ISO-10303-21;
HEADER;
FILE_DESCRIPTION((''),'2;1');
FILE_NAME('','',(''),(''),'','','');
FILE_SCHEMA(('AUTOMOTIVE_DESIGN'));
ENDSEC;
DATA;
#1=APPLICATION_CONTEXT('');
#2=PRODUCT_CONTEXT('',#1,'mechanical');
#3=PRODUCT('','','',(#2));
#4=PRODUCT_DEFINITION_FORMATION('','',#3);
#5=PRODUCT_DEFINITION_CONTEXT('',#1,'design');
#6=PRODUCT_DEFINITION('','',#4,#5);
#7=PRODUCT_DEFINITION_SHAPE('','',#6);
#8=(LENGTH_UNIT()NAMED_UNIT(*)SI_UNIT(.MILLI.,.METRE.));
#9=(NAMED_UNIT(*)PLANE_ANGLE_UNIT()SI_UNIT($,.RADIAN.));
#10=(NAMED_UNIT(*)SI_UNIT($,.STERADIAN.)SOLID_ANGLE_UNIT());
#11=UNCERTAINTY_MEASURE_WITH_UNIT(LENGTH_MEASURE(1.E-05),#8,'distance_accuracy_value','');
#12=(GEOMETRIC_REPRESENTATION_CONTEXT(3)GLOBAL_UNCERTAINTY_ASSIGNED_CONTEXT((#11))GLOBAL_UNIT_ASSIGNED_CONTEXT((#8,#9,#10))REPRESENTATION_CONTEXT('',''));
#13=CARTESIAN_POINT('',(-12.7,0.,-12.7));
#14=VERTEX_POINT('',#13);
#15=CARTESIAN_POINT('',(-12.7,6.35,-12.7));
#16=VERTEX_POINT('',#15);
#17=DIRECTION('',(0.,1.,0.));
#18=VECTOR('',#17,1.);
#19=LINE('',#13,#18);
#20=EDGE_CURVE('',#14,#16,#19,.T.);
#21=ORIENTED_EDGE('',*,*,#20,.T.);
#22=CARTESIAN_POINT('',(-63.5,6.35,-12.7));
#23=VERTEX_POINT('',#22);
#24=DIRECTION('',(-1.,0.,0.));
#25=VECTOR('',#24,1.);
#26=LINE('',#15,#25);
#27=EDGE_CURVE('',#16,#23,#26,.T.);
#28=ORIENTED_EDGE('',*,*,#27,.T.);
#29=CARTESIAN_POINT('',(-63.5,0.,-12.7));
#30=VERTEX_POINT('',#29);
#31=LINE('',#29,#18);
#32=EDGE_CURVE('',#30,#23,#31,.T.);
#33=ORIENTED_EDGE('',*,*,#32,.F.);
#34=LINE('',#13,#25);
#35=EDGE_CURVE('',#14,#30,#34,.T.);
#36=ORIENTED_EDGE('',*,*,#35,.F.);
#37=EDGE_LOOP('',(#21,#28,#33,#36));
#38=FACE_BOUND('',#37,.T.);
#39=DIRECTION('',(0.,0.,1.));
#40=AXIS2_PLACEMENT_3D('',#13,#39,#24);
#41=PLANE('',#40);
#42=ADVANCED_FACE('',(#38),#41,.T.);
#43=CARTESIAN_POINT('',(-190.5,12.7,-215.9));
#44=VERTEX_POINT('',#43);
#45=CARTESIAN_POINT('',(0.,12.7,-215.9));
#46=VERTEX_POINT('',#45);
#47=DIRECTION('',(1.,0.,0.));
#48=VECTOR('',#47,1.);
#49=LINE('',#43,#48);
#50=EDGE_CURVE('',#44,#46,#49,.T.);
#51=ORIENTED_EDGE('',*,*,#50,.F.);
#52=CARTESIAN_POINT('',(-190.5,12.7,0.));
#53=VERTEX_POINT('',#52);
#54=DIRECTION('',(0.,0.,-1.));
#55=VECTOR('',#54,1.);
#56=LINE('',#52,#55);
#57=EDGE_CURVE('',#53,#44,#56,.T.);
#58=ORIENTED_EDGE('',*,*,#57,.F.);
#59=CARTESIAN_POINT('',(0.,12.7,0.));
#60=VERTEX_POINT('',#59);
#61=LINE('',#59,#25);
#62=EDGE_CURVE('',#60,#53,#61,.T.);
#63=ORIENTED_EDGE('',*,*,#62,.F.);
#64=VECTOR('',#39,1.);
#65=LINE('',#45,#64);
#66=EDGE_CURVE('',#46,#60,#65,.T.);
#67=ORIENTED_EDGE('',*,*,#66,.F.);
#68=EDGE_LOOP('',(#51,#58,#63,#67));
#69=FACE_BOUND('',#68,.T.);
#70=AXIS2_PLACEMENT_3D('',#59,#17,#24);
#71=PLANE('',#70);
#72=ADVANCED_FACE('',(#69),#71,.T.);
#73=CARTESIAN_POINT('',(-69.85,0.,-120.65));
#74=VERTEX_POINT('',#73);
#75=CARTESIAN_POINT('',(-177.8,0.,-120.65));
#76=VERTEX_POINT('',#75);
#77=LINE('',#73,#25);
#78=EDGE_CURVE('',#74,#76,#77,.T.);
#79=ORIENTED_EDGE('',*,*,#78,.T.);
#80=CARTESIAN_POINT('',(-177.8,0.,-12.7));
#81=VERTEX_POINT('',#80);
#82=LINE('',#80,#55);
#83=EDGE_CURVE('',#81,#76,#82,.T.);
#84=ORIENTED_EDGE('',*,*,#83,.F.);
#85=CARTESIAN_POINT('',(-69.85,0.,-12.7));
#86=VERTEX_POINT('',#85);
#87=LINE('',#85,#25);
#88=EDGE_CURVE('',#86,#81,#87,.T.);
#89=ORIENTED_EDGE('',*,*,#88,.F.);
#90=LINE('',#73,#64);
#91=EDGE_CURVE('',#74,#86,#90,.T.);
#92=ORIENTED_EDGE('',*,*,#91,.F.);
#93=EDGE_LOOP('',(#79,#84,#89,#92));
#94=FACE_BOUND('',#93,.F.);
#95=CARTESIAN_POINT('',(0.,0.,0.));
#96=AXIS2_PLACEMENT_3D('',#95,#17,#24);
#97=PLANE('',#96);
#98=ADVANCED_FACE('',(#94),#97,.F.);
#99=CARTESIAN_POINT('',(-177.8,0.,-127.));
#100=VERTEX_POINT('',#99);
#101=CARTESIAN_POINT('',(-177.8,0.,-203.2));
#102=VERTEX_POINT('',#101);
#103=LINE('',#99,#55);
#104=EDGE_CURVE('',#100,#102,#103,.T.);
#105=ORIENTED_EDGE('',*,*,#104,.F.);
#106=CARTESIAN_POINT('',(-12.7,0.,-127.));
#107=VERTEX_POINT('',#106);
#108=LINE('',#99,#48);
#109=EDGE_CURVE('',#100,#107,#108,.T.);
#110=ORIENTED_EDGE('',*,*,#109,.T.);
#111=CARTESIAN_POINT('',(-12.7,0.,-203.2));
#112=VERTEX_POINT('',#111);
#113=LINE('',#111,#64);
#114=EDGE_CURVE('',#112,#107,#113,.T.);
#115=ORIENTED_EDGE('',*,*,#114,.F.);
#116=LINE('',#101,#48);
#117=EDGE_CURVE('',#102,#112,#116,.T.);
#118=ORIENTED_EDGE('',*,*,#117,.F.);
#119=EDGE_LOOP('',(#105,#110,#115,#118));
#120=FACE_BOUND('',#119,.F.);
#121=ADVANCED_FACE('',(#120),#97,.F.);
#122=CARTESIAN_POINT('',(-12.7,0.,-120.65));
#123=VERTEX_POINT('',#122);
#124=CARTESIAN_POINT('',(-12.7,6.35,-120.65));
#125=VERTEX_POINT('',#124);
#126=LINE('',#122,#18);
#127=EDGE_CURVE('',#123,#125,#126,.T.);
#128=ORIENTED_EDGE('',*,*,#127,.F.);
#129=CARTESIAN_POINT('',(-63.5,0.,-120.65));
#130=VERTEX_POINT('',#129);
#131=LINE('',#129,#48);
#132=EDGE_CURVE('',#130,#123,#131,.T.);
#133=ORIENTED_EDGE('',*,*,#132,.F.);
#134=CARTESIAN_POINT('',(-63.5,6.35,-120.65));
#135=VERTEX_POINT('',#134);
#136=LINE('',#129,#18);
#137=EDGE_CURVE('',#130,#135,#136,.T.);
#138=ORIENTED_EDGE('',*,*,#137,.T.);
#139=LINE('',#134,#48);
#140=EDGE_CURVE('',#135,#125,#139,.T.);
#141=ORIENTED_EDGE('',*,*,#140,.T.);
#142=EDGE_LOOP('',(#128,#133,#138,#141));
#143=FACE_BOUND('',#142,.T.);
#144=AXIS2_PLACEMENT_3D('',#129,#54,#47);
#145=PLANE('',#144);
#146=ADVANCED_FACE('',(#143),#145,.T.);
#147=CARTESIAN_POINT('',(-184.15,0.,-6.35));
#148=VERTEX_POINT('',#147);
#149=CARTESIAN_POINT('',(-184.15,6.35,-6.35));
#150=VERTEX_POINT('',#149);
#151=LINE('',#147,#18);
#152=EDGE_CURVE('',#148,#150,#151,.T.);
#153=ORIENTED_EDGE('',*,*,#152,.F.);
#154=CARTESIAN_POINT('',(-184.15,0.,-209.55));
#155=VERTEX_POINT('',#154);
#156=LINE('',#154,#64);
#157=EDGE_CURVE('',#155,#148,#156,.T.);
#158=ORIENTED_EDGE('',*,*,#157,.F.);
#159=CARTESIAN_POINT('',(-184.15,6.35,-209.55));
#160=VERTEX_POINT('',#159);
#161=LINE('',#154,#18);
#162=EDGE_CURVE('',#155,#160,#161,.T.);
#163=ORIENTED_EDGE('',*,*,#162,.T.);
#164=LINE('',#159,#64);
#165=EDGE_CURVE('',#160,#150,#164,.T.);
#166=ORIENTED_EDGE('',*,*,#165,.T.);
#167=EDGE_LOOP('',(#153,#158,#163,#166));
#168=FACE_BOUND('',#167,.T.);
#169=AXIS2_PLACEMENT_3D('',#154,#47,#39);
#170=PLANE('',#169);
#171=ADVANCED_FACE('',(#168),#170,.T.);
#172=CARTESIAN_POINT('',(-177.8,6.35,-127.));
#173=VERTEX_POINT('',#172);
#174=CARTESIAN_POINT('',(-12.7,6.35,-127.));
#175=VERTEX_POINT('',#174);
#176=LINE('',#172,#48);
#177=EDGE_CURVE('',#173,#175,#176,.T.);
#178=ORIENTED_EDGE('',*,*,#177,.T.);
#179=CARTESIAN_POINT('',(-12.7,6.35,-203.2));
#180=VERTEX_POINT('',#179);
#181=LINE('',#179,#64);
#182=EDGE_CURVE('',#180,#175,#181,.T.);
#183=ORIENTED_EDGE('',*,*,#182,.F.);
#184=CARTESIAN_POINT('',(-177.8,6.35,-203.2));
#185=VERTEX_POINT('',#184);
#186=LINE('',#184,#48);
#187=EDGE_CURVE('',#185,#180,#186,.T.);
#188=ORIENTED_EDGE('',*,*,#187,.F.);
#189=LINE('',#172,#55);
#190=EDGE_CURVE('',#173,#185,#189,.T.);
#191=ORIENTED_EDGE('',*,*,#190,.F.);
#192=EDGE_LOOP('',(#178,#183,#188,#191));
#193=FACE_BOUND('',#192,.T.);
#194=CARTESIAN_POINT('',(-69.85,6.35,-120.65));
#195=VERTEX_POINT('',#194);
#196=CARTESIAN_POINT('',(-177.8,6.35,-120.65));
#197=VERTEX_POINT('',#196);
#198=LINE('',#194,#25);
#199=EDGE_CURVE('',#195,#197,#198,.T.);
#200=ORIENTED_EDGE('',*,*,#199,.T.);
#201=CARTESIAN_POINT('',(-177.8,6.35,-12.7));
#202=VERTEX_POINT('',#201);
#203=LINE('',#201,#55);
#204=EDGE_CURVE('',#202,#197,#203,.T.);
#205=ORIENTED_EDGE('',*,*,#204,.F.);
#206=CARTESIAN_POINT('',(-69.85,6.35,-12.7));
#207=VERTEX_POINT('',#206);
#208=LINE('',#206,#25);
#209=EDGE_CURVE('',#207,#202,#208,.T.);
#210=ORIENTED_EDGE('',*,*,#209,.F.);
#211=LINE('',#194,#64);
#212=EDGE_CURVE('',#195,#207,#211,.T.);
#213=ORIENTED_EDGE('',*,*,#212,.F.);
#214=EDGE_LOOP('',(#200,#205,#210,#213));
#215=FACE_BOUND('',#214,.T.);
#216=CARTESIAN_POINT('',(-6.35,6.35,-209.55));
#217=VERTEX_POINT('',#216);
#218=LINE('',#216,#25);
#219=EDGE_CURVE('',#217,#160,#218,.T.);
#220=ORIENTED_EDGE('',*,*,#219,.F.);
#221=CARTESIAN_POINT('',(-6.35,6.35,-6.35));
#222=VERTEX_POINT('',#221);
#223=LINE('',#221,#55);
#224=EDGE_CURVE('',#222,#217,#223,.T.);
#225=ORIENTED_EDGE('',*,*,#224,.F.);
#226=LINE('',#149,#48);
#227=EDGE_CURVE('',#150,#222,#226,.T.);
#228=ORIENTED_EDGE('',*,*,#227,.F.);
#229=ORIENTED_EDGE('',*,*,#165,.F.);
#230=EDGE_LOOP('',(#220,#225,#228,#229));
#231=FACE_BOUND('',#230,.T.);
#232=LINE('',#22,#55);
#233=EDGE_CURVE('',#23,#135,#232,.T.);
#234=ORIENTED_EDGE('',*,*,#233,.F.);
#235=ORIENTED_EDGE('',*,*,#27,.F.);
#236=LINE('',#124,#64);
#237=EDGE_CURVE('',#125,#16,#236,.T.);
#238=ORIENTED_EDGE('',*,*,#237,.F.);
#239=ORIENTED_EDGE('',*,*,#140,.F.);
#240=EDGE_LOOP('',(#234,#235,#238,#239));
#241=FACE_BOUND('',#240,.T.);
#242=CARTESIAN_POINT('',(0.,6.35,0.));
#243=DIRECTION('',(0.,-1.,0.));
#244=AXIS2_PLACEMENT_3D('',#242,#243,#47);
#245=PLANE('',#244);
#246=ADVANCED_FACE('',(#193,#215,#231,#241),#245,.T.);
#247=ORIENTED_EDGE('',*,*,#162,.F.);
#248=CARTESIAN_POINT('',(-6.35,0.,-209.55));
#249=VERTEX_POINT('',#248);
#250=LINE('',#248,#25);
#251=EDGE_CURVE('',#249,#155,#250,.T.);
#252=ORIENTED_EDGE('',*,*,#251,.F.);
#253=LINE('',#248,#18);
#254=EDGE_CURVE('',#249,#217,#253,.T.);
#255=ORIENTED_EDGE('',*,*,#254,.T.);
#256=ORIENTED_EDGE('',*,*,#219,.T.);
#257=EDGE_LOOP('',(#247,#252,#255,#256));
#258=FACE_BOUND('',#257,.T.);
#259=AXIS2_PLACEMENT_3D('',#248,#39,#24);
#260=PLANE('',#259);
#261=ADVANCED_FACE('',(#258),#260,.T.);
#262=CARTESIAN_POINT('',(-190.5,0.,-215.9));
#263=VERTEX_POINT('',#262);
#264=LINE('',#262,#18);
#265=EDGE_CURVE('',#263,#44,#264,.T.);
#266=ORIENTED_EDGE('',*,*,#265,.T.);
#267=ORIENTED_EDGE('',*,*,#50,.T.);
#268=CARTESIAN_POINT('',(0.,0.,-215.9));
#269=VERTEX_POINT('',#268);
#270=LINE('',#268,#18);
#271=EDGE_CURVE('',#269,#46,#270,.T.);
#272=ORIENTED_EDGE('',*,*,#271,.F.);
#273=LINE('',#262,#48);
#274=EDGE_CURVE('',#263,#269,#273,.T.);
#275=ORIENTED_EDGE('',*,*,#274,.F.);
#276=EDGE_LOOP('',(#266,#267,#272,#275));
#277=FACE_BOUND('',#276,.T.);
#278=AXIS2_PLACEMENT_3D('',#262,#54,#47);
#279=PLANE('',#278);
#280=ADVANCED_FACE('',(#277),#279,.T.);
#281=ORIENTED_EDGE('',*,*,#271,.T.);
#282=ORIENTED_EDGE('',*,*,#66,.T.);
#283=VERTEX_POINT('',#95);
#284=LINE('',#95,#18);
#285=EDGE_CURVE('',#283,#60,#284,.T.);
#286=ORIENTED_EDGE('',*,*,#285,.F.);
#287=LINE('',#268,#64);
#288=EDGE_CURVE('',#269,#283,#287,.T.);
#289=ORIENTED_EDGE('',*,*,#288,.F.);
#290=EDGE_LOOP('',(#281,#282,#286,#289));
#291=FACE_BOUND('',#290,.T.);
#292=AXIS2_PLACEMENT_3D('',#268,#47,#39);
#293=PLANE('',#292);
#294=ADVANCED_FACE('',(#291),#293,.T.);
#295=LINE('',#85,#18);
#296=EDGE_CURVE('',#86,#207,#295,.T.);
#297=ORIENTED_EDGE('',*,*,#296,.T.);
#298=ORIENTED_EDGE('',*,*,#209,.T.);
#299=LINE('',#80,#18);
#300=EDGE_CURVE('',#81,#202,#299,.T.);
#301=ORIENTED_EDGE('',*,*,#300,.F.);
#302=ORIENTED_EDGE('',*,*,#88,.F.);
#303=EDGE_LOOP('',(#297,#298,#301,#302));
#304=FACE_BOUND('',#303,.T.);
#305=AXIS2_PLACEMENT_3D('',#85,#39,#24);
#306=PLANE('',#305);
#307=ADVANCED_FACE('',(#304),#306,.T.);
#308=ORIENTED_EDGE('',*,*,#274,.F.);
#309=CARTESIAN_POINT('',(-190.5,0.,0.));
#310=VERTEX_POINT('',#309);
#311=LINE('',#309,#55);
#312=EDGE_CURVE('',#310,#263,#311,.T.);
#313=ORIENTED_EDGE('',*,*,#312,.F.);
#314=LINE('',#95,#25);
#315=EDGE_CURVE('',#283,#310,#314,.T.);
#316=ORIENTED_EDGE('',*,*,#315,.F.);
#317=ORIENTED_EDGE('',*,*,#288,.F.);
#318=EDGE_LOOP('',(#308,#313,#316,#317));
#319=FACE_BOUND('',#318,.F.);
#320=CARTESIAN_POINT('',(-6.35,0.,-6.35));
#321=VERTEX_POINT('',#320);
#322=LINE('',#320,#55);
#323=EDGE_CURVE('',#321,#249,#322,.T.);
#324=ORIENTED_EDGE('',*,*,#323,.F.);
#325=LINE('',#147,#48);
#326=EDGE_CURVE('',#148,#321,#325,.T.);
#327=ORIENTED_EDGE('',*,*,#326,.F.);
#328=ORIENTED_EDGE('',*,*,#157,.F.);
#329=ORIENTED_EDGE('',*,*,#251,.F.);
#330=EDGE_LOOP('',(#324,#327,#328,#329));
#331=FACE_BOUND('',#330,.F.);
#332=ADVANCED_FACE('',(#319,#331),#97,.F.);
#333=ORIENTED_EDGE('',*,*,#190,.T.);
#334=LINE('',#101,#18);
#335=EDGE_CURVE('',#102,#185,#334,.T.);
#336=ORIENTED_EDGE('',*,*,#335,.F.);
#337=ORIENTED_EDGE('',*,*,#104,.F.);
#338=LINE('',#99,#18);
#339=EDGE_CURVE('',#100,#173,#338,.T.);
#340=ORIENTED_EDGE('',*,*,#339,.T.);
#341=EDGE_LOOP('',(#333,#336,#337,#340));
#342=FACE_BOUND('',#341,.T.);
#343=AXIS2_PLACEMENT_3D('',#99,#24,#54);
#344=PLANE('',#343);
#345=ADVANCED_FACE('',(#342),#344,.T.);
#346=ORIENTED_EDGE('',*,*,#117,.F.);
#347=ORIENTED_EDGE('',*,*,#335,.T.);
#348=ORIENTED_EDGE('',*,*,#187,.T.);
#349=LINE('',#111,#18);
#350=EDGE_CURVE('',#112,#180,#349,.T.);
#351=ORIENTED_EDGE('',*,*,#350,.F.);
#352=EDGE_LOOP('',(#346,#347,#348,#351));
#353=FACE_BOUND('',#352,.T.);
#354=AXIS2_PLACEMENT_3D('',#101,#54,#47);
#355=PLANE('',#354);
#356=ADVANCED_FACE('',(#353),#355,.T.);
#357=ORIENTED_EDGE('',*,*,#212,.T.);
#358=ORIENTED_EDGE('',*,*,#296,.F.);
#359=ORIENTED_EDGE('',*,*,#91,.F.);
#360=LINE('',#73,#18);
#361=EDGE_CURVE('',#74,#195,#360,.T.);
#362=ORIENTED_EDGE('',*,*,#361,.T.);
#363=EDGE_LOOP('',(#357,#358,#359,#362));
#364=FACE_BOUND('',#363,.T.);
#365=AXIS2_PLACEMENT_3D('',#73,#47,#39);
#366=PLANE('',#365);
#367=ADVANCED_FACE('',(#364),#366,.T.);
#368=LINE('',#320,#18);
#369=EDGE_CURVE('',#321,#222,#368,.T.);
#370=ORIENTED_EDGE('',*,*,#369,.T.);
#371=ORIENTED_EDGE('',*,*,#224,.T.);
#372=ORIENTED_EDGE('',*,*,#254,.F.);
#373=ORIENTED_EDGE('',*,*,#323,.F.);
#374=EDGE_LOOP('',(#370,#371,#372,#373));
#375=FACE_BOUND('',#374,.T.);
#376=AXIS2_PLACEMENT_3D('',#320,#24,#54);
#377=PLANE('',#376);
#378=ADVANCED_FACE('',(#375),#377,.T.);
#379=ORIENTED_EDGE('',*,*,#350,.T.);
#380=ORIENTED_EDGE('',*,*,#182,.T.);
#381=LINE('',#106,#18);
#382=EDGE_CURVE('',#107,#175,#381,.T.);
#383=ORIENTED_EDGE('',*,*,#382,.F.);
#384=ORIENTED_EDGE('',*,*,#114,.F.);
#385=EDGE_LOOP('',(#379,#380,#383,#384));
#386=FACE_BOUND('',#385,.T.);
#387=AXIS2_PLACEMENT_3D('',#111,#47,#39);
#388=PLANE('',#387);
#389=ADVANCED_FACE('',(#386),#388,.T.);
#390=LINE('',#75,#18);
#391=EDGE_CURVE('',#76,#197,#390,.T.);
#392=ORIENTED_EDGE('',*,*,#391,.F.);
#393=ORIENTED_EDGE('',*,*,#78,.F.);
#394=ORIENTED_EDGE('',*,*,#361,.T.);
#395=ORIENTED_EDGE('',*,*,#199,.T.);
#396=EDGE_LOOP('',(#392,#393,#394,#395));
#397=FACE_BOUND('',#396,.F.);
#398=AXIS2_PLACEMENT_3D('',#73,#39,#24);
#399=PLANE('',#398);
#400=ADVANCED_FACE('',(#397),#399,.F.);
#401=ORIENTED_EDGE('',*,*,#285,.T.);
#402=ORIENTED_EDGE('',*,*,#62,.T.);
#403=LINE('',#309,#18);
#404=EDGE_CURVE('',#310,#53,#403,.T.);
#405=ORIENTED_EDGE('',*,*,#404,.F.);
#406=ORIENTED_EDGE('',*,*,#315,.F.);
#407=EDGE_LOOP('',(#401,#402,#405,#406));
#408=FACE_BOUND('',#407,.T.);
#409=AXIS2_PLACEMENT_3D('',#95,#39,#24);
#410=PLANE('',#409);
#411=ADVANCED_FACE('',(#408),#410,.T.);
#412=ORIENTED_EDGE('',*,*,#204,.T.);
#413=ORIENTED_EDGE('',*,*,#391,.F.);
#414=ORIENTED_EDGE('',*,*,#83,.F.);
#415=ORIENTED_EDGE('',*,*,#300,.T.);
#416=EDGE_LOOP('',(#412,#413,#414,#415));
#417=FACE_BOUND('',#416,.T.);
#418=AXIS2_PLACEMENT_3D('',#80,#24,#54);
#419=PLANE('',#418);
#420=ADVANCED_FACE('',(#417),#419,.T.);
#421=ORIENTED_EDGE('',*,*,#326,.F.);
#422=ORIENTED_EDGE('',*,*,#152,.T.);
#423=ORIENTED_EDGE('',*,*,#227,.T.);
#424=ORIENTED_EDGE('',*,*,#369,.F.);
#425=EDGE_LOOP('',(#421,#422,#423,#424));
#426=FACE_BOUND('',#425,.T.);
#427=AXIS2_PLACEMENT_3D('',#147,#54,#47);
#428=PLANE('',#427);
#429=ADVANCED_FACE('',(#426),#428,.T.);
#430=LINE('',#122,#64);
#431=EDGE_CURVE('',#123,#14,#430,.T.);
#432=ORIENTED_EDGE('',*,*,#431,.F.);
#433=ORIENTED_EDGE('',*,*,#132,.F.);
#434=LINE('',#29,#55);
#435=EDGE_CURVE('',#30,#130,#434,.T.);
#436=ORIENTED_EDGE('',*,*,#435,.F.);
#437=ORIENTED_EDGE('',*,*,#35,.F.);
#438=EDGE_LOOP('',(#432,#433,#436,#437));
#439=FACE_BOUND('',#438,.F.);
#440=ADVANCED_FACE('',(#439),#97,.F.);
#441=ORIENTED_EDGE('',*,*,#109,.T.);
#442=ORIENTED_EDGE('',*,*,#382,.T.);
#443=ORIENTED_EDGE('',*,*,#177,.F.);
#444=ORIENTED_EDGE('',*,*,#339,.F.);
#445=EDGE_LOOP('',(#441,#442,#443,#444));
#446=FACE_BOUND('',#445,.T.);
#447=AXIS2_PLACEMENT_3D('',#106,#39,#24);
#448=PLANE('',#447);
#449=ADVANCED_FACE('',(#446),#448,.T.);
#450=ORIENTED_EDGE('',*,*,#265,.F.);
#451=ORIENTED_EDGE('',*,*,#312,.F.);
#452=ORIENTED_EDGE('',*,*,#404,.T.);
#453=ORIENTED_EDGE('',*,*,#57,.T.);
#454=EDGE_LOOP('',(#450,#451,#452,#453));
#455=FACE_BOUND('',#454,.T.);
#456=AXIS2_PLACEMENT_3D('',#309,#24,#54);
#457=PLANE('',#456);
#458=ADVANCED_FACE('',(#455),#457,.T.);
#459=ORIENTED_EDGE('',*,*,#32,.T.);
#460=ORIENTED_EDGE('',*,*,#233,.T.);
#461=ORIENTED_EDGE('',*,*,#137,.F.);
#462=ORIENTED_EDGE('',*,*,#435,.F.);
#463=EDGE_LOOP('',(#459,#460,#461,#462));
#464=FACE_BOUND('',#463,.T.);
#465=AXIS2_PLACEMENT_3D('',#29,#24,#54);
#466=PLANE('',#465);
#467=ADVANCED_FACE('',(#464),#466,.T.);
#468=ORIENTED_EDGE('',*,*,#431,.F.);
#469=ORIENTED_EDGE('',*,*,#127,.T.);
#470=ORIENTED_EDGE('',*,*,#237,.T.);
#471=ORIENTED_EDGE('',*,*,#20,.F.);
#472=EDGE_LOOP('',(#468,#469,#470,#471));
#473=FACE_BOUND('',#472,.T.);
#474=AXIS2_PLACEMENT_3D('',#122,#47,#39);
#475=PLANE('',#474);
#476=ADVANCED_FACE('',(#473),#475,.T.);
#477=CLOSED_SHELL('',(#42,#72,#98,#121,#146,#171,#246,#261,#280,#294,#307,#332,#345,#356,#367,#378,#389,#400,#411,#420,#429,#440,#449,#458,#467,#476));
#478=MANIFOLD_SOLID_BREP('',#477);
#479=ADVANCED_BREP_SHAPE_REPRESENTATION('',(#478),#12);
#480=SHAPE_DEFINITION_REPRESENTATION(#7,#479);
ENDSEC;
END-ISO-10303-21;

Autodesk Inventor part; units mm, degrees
ref_plane "YZ Plane" through (0, 0, 0) normal (1, 0, 0) x (0, 1, 0)
ref_plane "XZ Plane" through (0, 0, 0) normal (0, 1, 0) x (-1, 0, 0)
ref_plane "XY Plane" through (0, 0, 0) normal (0, 0, 1) x (1, 0, 0)
sketch "Sketch1" plane through (0, 0, 0) normal (0, 1, 0) x (-1, 0, 0)
  line L0 (0, 0) -> (190.5, 0)
  line L1 (190.5, 0) -> (190.5, -215.9)
  line L2 (190.5, -215.9) -> (0, -215.9)
  line L3 (0, -215.9) -> (0, 0)
  dimension "d0" = 215.9
  dimension "d1" = 190.5
extrude "Extrusion1" add sketch "Sketch1" along normal blind 12.7
sketch "Sketch2" plane through (0, 0, 0) normal (0, -1, 0) x (1, 0, 0)
  line L0 (-190.5, 0) -> (0, 0) construction
  line L1 (0, -215.9) -> (-190.5, -215.9) construction
  line L2 (0, 0) -> (-190.5, 0)
  line L3 (-190.5, 0) -> (-190.5, -215.9) construction
  line L4 (-190.5, -215.9) -> (0, -215.9)
  line L5 (0, -215.9) -> (0, 0) construction
  line L6 (-184.15, -209.55) -> (-184.15, -6.35)
  line L7 (-184.15, -6.35) -> (-6.35, -6.35)
  line L8 (-6.35, -6.35) -> (-6.35, -209.55)
  line L9 (-6.35, -209.55) -> (-184.15, -209.55)
  line L10 (-177.8, -203.2) -> (-12.7, -203.2)
  line L11 (-12.7, -12.7) -> (-63.5, -12.7)
  line L12 (-63.5, -12.7) -> (-63.5, -120.65)
  line L13 (-63.5, -120.65) -> (-12.7, -120.65)
  line L14 (-12.7, -120.65) -> (-12.7, -12.7)
  line L15 (-69.85, -120.65) -> (-69.85, -12.7)
  line L16 (-127, -6.35) -> (-6.35, -6.35)
  line L17 (-6.35, -6.35) -> (-6.35, -127)
  line L18 (-12.7, -127) -> (-127, -127)
  line L19 (-127, -127) -> (-177.8, -127)
  line L20 (-69.85, -120.65) -> (-177.8, -120.65)
  line L21 (-12.7, -12.7) -> (-63.5, -12.7)
  line L22 (-69.85, -12.7) -> (-177.8, -12.7)
  line L23 (-12.7, -203.2) -> (-12.7, -127)
  line L24 (-12.7, -120.65) -> (-12.7, -12.7)
  line L25 (-177.8, -12.7) -> (-177.8, -120.65)
  line L26 (-177.8, -127) -> (-177.8, -203.2)
  dimension "d4" = 6.35
  dimension "d8" = 6.35
  dimension "d11" = 107.95
  dimension "d12" = 107.95
extrude "Extrusion2" cut sketch "Sketch2" against normal blind 6.35
properties part number "RSX Top" material "Aluminum 6061"
